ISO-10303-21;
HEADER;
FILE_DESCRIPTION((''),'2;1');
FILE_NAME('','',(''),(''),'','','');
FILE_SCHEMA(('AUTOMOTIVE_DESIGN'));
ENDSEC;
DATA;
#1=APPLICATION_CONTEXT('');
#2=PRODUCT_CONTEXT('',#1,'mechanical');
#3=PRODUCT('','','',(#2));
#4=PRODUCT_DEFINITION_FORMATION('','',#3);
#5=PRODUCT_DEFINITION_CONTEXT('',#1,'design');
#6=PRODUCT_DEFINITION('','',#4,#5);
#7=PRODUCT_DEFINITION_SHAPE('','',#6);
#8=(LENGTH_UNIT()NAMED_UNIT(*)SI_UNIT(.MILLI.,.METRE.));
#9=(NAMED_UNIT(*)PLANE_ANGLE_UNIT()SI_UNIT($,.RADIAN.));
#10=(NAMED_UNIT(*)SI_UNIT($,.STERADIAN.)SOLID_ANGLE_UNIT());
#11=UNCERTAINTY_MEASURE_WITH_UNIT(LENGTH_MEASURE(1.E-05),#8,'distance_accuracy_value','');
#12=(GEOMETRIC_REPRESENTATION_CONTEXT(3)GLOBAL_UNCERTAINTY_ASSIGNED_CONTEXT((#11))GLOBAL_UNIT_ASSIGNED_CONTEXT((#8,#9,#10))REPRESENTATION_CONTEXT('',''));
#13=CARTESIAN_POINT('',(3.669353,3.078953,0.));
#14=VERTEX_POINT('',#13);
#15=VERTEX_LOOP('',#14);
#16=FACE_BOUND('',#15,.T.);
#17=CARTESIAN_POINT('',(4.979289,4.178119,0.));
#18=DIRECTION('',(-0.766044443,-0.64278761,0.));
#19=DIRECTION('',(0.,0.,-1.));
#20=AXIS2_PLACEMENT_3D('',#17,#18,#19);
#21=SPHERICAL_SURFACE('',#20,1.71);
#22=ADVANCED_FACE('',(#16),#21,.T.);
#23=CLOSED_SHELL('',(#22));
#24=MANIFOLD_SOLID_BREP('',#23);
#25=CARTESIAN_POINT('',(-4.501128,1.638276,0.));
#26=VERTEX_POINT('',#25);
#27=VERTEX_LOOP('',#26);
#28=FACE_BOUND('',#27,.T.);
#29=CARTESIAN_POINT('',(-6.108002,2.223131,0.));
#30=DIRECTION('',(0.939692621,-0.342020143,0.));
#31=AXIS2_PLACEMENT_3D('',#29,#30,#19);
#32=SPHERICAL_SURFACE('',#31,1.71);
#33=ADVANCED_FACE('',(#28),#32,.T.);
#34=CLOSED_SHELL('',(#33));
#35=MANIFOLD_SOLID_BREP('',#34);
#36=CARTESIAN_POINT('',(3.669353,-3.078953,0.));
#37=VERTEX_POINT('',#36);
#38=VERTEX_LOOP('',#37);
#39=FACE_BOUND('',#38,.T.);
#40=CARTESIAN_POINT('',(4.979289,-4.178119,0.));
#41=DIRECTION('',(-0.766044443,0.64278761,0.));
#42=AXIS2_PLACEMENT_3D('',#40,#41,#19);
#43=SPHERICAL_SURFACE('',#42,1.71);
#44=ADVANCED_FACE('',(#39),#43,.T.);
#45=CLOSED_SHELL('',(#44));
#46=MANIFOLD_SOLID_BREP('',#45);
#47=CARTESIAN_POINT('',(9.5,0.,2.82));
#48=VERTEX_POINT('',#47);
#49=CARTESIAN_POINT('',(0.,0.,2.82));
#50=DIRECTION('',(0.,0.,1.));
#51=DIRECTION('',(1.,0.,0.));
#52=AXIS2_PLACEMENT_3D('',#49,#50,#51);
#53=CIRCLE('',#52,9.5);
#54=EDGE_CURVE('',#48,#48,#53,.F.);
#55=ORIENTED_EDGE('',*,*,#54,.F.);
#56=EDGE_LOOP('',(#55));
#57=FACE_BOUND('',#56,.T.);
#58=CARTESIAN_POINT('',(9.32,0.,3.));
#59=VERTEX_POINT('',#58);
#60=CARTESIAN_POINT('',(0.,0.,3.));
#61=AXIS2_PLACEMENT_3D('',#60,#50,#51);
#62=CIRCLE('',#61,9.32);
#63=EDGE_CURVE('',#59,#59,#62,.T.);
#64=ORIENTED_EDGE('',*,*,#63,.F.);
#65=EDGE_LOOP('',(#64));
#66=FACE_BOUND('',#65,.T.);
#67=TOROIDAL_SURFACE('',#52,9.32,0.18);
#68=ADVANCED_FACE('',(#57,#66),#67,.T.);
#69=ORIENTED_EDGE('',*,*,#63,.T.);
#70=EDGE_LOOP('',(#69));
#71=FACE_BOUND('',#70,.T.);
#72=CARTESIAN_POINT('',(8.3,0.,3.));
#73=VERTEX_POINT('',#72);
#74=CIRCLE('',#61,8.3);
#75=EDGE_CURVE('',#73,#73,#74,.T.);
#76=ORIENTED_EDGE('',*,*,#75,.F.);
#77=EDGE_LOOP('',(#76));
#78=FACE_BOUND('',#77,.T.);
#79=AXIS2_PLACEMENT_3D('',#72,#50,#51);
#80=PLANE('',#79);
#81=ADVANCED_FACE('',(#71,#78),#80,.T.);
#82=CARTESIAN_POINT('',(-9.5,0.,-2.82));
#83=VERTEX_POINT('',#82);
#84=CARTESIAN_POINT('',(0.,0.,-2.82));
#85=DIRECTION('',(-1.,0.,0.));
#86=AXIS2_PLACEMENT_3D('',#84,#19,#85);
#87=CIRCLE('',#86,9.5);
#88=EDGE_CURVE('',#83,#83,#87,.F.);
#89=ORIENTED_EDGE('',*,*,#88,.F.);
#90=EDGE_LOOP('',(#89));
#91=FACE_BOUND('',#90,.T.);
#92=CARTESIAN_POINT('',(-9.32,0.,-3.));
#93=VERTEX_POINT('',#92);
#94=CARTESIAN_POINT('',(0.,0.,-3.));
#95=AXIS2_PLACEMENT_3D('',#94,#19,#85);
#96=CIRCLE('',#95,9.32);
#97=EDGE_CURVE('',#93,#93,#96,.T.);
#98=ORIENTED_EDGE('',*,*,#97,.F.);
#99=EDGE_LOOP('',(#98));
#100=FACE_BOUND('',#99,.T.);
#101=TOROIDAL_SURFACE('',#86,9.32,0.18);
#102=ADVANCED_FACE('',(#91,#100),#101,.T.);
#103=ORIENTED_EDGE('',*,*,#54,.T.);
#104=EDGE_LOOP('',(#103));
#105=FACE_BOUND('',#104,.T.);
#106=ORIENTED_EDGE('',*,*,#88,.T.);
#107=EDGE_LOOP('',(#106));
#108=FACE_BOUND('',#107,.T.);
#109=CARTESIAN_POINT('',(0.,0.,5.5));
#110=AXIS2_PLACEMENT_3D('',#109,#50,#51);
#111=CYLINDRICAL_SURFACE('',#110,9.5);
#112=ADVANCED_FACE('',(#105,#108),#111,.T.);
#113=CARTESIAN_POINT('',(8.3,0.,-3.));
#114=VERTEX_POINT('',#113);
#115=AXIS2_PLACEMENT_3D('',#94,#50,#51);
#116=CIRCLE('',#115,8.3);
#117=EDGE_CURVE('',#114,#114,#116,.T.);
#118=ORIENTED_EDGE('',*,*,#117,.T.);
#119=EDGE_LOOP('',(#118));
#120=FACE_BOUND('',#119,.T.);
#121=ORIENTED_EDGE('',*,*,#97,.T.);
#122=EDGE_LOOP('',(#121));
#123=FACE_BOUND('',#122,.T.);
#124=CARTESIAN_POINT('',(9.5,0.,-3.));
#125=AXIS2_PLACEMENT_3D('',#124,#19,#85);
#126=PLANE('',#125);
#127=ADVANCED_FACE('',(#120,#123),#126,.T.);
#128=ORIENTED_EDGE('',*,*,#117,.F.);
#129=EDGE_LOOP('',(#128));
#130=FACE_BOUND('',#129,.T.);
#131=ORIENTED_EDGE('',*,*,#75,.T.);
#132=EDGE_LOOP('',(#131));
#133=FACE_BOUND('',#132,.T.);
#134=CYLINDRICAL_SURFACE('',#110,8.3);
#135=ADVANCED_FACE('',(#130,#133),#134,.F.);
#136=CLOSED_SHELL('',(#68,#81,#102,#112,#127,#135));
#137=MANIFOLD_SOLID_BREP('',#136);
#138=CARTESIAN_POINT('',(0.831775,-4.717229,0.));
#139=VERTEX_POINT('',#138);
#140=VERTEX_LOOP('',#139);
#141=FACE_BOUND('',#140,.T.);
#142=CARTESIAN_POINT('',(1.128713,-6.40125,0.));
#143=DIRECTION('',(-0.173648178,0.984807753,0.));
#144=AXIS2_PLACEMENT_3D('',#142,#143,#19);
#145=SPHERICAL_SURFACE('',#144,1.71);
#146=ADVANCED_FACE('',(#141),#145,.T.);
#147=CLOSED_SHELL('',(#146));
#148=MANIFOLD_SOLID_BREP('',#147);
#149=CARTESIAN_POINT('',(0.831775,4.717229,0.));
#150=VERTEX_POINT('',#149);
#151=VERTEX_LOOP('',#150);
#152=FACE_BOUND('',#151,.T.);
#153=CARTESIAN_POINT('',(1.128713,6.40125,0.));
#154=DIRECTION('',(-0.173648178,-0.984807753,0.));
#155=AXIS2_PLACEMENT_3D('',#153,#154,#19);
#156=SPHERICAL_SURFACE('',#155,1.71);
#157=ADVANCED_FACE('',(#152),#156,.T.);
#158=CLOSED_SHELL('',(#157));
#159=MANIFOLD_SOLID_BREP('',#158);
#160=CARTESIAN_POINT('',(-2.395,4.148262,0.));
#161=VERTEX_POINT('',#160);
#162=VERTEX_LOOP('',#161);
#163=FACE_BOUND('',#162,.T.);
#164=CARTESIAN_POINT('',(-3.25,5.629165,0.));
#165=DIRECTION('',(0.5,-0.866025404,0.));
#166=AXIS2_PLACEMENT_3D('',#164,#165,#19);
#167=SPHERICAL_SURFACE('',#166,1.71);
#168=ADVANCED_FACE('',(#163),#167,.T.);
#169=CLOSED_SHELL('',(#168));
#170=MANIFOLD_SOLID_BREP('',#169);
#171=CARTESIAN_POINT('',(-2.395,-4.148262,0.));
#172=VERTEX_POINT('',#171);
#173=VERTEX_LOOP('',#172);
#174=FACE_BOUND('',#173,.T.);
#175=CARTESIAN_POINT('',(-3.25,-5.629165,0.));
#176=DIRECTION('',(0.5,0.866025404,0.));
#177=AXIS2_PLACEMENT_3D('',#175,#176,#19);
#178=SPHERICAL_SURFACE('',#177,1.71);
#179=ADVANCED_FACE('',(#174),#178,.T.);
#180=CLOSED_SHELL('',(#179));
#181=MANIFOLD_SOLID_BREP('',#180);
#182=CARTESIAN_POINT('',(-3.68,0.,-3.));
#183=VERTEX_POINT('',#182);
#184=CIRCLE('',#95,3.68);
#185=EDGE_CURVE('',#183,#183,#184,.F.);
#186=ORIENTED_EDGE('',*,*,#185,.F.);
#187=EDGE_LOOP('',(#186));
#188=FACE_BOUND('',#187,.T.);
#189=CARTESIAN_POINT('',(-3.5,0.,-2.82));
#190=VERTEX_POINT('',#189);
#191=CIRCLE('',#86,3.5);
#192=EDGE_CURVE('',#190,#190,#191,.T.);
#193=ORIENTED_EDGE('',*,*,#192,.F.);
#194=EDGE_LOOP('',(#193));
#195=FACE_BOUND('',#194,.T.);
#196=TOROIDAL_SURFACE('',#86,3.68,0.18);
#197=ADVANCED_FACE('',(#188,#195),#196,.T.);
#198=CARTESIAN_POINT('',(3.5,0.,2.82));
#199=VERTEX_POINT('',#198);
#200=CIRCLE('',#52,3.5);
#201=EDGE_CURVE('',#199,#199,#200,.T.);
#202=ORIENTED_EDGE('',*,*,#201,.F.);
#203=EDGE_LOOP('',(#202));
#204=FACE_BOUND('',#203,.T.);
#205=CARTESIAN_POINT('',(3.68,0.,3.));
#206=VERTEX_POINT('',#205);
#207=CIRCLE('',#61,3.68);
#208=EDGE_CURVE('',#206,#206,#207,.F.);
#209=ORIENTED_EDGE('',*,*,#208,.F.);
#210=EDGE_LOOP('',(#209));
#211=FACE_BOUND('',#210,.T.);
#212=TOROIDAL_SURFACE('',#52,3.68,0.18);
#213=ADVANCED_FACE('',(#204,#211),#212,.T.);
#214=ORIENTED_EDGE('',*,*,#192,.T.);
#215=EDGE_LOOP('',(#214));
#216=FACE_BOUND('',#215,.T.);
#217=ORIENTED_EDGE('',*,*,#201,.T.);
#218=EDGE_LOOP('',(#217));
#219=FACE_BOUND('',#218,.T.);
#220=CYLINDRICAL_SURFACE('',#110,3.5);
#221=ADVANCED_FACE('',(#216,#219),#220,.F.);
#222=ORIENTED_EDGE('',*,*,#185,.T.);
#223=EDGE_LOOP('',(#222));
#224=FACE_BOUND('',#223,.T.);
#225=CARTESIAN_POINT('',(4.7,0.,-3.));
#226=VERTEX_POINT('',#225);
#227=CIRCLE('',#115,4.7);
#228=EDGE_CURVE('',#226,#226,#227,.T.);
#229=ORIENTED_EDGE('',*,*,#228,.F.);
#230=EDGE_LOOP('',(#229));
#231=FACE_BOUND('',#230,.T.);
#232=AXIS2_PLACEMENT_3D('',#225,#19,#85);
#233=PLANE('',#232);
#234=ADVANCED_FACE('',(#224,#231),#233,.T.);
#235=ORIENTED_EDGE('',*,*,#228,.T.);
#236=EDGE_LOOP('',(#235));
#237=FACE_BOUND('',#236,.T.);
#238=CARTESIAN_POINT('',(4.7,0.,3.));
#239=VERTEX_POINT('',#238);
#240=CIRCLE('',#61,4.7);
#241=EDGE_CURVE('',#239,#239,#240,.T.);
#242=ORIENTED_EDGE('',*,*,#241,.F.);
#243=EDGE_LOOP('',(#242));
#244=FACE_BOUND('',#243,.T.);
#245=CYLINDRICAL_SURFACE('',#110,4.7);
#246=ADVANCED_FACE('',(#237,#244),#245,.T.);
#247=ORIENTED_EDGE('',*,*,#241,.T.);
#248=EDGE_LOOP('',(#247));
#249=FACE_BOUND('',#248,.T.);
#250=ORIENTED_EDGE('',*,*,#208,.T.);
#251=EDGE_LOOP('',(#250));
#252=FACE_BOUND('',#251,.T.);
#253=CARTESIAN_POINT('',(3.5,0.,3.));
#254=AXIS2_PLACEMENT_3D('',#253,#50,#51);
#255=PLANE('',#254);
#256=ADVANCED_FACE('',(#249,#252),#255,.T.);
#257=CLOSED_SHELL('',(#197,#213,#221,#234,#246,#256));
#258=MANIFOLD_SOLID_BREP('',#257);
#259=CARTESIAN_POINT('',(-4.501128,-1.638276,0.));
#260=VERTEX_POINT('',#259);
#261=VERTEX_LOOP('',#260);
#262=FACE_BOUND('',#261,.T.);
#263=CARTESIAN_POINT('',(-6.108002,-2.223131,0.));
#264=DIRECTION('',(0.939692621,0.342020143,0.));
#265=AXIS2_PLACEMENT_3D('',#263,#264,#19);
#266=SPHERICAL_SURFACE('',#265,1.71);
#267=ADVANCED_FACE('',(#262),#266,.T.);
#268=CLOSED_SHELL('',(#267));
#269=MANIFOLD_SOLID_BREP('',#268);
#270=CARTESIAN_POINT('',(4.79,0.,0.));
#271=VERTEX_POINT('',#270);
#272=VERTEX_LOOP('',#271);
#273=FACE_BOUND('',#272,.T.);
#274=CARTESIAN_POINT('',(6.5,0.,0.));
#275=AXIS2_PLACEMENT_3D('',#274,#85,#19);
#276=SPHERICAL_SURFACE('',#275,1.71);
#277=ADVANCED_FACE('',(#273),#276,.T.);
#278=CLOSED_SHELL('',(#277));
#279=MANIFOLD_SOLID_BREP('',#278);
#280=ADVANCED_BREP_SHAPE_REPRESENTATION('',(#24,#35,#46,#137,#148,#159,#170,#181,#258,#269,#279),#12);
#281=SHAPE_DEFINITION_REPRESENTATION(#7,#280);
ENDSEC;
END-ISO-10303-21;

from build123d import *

# Parameters (mm, degrees)
INNERS_W           = 1.2
INNERS_H           = 6
OUTERS_W           = 1.2
OUTERS_H           = 6
BALLSPATTERN_COUNT = 9
FILLET_F1_R        = 0.18
FILLET_F2_R        = 0.18


with BuildPart() as part:
    # InnerS → InnerRing (revolve)
    with BuildSketch(Plane(origin=(0, 0, 0), x_dir=(1, 0, 0), z_dir=(0, 1, 0))):
        with Locations((4.1, 0)):
            Rectangle(INNERS_W, INNERS_H)
    revolve(axis=Axis((0, 0, 5.5), (0, 0, -1)))

    # Fillet F2
    fillet_f2_edges = [part.edges().sort_by_distance(p)[0] for p in [
        (-3.5, 0, -3),
        (-3.5, 0, 3),
    ]]
    fillet(fillet_f2_edges, radius=FILLET_F2_R)


with BuildPart() as body_2:
    # OuterS → OuterRing (revolve)
    with BuildSketch(Plane(origin=(0, 0, 0), x_dir=(1, 0, 0), z_dir=(0, 1, 0))):
        with Locations((8.9, 0)):
            Rectangle(OUTERS_W, OUTERS_H)
    revolve(axis=Axis((0, 0, 5.5), (0, 0, -1)))

    # Fillet F1
    fillet_f1_edges = [body_2.edges().sort_by_distance(p)[0] for p in [
        (-9.5, 0, -3),
        (-9.5, 0, 3),
    ]]
    fillet(fillet_f1_edges, radius=FILLET_F1_R)


with BuildPart() as body_3:
    # BallS → Ball (revolve)
    with BuildSketch(Plane(origin=(0, 0, 0), x_dir=(1, 0, 0), z_dir=(0, 1, 0))):
        with BuildLine():
            Line((4.79, 0), (8.21, 0))
            ThreePointArc((8.21, 0), (6.5, -1.71), (4.79, 0))
        make_face()
    revolve(axis=Axis((4.79, 0, 0), (1, 0, 0)))


with BuildPart() as ballspattern_1:
    # BallsPattern: pattern copy
    add(body_3.part.rotate(Axis((0, 0, -3.3), (0, 0, 1)), 1 * 360 / BALLSPATTERN_COUNT))


with BuildPart() as ballspattern_2:
    # BallsPattern: pattern copy
    add(body_3.part.rotate(Axis((0, 0, -3.3), (0, 0, 1)), 2 * 360 / BALLSPATTERN_COUNT))


with BuildPart() as ballspattern_3:
    # BallsPattern: pattern copy
    add(body_3.part.rotate(Axis((0, 0, -3.3), (0, 0, 1)), 3 * 360 / BALLSPATTERN_COUNT))


with BuildPart() as ballspattern_4:
    # BallsPattern: pattern copy
    add(body_3.part.rotate(Axis((0, 0, -3.3), (0, 0, 1)), 4 * 360 / BALLSPATTERN_COUNT))


with BuildPart() as ballspattern_5:
    # BallsPattern: pattern copy
    add(body_3.part.rotate(Axis((0, 0, -3.3), (0, 0, 1)), 5 * 360 / BALLSPATTERN_COUNT))


with BuildPart() as ballspattern_6:
    # BallsPattern: pattern copy
    add(body_3.part.rotate(Axis((0, 0, -3.3), (0, 0, 1)), 6 * 360 / BALLSPATTERN_COUNT))


with BuildPart() as ballspattern_7:
    # BallsPattern: pattern copy
    add(body_3.part.rotate(Axis((0, 0, -3.3), (0, 0, 1)), 7 * 360 / BALLSPATTERN_COUNT))


with BuildPart() as ballspattern_8:
    # BallsPattern: pattern copy
    add(body_3.part.rotate(Axis((0, 0, -3.3), (0, 0, 1)), 8 * 360 / BALLSPATTERN_COUNT))


solid = Compound([part.part, body_2.part, body_3.part, ballspattern_1.part, ballspattern_2.part, ballspattern_3.part, ballspattern_4.part, ballspattern_5.part, ballspattern_6.part, ballspattern_7.part, ballspattern_8.part])
